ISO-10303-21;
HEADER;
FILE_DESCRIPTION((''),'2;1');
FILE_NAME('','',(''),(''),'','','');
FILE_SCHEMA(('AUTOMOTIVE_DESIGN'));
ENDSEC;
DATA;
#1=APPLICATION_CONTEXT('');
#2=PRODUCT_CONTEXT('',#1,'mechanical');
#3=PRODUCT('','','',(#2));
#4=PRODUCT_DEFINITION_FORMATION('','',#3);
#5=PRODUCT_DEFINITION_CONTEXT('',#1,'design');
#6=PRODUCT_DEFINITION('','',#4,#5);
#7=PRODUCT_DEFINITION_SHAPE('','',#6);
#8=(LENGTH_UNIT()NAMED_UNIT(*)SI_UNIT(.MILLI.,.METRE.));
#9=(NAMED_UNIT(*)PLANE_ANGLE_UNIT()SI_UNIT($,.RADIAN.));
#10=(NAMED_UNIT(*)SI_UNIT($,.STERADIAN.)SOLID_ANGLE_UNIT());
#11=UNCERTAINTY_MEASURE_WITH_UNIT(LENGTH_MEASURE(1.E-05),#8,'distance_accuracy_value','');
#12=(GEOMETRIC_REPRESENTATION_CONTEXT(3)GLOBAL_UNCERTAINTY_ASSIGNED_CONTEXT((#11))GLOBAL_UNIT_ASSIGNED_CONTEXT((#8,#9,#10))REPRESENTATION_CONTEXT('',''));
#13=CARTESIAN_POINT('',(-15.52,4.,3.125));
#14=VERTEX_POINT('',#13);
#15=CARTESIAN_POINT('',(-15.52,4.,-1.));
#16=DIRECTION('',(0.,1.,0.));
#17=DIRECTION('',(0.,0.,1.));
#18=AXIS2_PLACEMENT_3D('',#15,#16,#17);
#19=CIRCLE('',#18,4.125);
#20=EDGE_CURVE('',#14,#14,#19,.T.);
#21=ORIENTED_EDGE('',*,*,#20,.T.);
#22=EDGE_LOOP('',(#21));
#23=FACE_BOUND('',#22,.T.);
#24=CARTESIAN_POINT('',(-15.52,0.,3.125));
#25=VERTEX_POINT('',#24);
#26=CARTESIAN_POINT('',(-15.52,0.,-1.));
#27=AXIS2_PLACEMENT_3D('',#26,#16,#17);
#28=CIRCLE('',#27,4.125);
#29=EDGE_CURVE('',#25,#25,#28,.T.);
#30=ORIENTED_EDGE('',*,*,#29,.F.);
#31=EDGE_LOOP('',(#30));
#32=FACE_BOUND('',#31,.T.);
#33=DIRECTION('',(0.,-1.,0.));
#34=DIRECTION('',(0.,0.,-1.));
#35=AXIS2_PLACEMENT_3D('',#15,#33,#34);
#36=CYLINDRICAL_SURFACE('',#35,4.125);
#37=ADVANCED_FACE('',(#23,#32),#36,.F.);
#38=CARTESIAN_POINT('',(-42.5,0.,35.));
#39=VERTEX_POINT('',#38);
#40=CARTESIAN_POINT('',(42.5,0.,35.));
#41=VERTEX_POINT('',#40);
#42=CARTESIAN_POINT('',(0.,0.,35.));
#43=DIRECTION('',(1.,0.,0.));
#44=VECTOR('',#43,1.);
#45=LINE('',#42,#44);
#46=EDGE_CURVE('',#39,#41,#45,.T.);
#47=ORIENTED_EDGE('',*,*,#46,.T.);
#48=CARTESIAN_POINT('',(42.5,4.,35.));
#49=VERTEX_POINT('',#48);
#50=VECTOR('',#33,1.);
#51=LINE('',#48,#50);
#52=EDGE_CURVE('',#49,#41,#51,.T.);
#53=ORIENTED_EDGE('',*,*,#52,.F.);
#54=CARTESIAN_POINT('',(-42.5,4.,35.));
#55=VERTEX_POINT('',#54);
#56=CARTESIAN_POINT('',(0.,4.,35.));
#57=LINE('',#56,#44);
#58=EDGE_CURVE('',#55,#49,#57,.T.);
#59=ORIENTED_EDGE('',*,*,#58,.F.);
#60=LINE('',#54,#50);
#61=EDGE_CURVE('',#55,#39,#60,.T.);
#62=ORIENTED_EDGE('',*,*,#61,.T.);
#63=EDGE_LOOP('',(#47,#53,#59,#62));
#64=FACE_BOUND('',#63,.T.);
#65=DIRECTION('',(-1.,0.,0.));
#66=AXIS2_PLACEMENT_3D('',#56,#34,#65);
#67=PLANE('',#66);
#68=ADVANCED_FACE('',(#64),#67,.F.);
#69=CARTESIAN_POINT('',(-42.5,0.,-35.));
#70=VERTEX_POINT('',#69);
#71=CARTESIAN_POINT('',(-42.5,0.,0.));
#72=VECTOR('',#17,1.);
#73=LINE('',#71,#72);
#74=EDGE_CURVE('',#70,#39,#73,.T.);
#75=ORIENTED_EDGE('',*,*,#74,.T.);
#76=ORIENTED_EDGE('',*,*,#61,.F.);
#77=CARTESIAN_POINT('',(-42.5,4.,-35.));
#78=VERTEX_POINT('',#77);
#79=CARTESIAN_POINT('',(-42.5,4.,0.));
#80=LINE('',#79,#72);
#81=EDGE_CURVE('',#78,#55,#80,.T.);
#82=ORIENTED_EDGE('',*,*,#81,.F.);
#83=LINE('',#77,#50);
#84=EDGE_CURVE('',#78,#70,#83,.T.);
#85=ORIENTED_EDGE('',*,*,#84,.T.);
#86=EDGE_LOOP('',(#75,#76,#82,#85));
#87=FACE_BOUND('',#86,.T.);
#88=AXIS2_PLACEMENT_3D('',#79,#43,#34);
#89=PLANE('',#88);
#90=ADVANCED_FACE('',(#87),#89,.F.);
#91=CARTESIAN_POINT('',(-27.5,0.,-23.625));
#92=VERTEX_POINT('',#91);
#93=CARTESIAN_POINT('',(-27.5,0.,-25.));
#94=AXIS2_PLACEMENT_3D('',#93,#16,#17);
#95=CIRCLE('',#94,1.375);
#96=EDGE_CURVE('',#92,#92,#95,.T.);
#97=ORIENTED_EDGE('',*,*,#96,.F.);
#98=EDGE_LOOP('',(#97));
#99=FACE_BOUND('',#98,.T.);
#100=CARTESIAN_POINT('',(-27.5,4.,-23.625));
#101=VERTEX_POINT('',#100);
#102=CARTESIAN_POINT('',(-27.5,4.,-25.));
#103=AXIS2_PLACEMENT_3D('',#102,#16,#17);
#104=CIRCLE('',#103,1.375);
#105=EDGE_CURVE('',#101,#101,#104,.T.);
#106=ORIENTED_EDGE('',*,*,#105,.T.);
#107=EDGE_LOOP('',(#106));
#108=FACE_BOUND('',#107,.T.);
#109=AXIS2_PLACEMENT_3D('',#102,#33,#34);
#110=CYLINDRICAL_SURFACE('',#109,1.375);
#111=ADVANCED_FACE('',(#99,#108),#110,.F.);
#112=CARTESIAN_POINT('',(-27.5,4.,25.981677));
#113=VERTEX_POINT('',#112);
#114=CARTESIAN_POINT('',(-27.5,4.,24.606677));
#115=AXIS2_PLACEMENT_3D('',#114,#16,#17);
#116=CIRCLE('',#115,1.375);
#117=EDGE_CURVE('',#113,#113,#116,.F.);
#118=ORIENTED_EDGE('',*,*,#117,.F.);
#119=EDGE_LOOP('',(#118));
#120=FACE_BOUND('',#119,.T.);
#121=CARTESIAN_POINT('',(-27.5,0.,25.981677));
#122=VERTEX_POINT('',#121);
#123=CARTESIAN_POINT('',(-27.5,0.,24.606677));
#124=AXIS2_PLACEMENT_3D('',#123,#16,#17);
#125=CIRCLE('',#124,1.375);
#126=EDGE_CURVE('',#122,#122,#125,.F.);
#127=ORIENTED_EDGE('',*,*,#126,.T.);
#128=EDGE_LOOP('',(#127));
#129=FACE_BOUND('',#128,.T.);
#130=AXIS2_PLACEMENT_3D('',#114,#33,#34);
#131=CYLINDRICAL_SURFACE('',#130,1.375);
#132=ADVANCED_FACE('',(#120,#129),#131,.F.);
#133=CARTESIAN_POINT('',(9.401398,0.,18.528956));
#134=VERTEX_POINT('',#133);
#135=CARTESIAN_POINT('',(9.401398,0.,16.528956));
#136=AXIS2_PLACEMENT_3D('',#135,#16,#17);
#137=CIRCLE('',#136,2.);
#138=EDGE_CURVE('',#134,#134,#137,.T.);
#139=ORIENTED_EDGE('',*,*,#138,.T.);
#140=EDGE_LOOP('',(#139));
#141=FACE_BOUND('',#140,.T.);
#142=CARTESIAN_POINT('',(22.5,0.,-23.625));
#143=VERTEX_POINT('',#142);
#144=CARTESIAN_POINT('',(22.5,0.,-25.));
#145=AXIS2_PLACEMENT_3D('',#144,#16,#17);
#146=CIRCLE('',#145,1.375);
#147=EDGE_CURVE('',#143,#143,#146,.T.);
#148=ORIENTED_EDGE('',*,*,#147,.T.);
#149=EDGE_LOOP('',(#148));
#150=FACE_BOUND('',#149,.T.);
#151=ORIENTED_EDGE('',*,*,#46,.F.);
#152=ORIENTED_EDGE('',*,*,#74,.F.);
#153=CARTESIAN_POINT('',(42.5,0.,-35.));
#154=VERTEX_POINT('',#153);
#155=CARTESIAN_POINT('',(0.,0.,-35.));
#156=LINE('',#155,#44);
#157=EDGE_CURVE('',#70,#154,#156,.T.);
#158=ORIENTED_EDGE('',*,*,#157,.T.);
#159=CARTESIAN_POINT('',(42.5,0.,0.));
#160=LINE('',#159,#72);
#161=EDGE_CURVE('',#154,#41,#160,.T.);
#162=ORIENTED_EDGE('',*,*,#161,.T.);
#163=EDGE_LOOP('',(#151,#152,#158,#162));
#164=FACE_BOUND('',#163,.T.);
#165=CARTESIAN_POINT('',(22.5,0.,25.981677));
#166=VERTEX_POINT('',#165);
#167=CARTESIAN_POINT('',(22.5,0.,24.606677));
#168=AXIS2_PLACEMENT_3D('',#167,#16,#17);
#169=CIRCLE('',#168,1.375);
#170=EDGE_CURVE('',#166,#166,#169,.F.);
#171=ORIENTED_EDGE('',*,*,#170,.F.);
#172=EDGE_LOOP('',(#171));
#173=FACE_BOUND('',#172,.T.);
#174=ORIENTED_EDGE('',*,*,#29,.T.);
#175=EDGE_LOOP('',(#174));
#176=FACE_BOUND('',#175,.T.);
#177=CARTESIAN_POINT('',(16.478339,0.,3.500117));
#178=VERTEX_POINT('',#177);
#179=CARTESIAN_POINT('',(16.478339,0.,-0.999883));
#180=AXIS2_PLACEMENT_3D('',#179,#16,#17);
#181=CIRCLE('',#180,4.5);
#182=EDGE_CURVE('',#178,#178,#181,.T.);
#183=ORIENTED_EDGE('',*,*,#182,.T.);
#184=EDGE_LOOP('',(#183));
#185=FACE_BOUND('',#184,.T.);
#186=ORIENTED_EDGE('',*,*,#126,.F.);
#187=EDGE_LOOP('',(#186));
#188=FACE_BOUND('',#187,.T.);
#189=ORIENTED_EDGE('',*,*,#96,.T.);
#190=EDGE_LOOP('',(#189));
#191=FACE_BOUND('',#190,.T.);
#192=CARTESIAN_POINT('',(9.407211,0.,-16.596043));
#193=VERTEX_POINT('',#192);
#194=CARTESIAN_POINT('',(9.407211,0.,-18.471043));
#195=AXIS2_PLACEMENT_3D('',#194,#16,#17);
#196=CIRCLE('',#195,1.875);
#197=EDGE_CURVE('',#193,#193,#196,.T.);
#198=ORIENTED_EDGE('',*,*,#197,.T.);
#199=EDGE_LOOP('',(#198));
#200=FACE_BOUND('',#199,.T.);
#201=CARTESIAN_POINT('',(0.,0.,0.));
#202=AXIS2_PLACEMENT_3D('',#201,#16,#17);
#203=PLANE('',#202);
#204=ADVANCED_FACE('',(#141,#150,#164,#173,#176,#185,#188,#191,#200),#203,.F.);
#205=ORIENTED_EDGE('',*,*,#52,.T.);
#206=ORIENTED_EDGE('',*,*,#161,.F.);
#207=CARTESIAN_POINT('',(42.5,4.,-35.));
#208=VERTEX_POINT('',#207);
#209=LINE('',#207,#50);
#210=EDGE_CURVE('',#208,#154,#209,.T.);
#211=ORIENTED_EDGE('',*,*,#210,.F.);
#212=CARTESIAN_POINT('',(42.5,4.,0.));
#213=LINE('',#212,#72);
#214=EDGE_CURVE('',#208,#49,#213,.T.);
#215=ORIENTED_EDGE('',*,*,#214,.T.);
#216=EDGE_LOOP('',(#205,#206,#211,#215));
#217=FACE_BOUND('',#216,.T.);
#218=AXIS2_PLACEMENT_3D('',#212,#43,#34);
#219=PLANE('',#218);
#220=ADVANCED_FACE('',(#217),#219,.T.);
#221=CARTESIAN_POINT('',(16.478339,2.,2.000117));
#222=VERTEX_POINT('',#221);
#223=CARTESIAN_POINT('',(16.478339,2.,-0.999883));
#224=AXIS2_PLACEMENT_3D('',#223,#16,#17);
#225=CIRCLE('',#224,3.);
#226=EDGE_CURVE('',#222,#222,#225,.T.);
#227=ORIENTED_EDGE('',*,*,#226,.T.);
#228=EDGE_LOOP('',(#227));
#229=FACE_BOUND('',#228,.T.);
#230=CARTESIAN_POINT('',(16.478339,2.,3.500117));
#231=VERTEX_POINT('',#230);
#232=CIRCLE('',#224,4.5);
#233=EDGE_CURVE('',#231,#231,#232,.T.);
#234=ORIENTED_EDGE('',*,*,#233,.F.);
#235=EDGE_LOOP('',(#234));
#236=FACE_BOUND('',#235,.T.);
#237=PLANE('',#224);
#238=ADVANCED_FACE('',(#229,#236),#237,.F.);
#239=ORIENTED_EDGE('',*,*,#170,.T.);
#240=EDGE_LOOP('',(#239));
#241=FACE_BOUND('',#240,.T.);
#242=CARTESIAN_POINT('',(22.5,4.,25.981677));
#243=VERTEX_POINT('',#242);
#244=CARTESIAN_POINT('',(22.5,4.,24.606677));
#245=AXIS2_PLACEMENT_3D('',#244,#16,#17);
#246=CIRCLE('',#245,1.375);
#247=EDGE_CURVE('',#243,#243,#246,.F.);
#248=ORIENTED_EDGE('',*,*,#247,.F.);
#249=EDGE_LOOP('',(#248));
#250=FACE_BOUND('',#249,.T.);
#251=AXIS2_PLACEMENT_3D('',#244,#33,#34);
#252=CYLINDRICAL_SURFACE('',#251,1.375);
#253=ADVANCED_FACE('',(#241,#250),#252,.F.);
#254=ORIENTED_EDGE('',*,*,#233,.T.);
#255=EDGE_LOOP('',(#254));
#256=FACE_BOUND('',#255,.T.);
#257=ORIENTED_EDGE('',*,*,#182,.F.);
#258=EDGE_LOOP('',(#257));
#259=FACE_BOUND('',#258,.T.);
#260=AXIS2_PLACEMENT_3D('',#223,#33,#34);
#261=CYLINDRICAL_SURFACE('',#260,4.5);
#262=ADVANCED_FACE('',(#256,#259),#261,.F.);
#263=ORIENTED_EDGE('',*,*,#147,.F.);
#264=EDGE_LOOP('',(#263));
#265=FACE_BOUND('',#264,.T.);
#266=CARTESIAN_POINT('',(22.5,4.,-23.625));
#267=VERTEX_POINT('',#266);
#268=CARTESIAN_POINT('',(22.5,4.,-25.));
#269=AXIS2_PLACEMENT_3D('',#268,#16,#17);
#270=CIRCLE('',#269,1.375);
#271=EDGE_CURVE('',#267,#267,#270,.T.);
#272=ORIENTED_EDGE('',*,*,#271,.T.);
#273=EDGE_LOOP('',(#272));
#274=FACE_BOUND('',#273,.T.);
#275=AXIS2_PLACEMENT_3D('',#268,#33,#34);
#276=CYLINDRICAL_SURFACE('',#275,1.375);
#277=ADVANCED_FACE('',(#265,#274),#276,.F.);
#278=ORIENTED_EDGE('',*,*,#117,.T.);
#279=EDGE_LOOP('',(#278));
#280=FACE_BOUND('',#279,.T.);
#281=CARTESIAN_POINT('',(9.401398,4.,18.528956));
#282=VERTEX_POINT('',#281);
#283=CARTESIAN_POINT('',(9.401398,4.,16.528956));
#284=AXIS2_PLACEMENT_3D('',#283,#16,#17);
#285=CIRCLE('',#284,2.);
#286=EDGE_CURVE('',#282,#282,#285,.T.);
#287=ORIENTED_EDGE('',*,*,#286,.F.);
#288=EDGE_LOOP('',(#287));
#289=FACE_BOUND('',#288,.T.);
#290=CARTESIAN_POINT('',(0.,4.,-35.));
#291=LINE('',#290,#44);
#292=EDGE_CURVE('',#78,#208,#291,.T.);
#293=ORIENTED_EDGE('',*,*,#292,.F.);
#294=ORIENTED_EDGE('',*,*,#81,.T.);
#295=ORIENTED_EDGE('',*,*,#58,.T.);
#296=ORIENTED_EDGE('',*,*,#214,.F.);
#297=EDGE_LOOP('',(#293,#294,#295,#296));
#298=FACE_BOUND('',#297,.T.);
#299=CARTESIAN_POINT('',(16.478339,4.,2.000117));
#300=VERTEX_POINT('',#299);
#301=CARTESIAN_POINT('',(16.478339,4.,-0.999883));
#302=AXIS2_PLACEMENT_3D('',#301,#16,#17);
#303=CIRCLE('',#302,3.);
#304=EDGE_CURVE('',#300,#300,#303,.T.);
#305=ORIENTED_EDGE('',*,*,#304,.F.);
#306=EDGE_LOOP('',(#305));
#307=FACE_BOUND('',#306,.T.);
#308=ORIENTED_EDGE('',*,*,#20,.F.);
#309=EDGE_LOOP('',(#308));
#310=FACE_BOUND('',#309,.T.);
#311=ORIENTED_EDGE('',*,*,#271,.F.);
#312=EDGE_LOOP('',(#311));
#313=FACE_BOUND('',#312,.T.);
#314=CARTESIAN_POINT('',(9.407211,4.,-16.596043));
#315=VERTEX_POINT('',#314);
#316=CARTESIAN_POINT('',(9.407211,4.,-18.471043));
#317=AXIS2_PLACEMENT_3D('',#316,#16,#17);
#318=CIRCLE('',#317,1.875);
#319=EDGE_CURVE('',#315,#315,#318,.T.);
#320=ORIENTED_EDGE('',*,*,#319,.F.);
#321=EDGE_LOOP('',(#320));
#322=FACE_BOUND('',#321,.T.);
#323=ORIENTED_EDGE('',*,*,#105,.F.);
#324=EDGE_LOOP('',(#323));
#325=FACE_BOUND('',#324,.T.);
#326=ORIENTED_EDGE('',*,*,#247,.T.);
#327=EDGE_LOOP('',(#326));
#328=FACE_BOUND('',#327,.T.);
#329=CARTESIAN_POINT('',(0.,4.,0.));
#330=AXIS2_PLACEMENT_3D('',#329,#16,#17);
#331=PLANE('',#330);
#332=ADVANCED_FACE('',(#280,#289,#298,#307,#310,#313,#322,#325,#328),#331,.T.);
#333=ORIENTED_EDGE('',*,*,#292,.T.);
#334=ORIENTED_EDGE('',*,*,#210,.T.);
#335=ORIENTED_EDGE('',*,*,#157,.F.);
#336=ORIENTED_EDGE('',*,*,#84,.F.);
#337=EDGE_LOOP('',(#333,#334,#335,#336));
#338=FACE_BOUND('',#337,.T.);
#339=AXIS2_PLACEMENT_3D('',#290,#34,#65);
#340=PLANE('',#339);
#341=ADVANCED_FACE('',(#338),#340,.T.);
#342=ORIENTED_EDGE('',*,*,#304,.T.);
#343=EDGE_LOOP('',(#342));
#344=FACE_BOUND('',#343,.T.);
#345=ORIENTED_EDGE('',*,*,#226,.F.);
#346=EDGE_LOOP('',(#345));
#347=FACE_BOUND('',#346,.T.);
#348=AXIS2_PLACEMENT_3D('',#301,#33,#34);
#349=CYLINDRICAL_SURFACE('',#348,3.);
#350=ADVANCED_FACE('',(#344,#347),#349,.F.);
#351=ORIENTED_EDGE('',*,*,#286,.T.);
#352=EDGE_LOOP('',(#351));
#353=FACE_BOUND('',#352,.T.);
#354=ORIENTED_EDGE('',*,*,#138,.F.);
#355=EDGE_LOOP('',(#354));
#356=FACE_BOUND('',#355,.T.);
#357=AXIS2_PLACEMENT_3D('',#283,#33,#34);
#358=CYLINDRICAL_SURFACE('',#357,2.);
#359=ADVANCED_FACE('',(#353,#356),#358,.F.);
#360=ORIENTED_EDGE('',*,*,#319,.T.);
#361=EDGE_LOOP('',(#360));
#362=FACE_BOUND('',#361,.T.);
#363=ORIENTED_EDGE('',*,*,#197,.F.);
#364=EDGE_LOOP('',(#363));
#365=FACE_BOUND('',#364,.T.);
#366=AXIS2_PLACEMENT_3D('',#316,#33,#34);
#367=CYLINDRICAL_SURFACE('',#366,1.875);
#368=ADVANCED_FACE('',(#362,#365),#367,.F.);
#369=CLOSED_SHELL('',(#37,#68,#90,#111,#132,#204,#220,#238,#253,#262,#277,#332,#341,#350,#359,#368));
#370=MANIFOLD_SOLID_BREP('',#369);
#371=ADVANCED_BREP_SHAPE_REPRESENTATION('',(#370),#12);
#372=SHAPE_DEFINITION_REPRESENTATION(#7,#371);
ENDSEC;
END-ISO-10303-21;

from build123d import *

# Parameters (mm, degrees)
SKETCH1_W           = 85
SKETCH1_H           = 70
SKETCH1_R           = 1.375
SKETCH1_R_2         = 2
SKETCH1_R_3         = 1.875
SKETCH1_R_4         = 4.125
SKETCH1_R_5         = 3
BOSS_EXTRUDE4_DEPTH = 4
SKETCH1_7_R         = 4.5
CUT_EXTRUDE2_DEPTH  = 2


with BuildPart() as part:
    # Sketch1 → Boss-Extrude4 (new body)
    with BuildSketch(Plane(origin=(0, 0, 0), x_dir=(1, 0, 0), z_dir=(0, 1, 0))):
        Rectangle(SKETCH1_W, SKETCH1_H)
        with Locations((-27.5, -24.60667729)):
            Circle(SKETCH1_R, mode=Mode.SUBTRACT)
        with Locations((22.5, -24.60667729)):
            Circle(SKETCH1_R, mode=Mode.SUBTRACT)
        with Locations((9.401398241, -16.528956449)):
            Circle(SKETCH1_R_2, mode=Mode.SUBTRACT)
        with Locations((-27.5, 25)):
            Circle(SKETCH1_R, mode=Mode.SUBTRACT)
        with Locations((9.407211052, 18.471043068)):
            Circle(SKETCH1_R_3, mode=Mode.SUBTRACT)
        with Locations((22.5, 25)):
            Circle(SKETCH1_R, mode=Mode.SUBTRACT)
        with Locations((-15.52, 1)):
            Circle(SKETCH1_R_4, mode=Mode.SUBTRACT)
        with Locations((16.478339488, 0.999882702)):
            Circle(SKETCH1_R_5, mode=Mode.SUBTRACT)
    extrude(amount=BOSS_EXTRUDE4_DEPTH)

    # Sketch1<7> → Cut-Extrude2 (cut)
    with BuildSketch(Plane(origin=(0, 0, 0), x_dir=(1, 0, 0), z_dir=(0, 1, 0))):
        with Locations((16.478339488, 0.999882702)):
            Circle(SKETCH1_7_R)
    extrude(amount=CUT_EXTRUDE2_DEPTH, mode=Mode.SUBTRACT)


solid = part.part
